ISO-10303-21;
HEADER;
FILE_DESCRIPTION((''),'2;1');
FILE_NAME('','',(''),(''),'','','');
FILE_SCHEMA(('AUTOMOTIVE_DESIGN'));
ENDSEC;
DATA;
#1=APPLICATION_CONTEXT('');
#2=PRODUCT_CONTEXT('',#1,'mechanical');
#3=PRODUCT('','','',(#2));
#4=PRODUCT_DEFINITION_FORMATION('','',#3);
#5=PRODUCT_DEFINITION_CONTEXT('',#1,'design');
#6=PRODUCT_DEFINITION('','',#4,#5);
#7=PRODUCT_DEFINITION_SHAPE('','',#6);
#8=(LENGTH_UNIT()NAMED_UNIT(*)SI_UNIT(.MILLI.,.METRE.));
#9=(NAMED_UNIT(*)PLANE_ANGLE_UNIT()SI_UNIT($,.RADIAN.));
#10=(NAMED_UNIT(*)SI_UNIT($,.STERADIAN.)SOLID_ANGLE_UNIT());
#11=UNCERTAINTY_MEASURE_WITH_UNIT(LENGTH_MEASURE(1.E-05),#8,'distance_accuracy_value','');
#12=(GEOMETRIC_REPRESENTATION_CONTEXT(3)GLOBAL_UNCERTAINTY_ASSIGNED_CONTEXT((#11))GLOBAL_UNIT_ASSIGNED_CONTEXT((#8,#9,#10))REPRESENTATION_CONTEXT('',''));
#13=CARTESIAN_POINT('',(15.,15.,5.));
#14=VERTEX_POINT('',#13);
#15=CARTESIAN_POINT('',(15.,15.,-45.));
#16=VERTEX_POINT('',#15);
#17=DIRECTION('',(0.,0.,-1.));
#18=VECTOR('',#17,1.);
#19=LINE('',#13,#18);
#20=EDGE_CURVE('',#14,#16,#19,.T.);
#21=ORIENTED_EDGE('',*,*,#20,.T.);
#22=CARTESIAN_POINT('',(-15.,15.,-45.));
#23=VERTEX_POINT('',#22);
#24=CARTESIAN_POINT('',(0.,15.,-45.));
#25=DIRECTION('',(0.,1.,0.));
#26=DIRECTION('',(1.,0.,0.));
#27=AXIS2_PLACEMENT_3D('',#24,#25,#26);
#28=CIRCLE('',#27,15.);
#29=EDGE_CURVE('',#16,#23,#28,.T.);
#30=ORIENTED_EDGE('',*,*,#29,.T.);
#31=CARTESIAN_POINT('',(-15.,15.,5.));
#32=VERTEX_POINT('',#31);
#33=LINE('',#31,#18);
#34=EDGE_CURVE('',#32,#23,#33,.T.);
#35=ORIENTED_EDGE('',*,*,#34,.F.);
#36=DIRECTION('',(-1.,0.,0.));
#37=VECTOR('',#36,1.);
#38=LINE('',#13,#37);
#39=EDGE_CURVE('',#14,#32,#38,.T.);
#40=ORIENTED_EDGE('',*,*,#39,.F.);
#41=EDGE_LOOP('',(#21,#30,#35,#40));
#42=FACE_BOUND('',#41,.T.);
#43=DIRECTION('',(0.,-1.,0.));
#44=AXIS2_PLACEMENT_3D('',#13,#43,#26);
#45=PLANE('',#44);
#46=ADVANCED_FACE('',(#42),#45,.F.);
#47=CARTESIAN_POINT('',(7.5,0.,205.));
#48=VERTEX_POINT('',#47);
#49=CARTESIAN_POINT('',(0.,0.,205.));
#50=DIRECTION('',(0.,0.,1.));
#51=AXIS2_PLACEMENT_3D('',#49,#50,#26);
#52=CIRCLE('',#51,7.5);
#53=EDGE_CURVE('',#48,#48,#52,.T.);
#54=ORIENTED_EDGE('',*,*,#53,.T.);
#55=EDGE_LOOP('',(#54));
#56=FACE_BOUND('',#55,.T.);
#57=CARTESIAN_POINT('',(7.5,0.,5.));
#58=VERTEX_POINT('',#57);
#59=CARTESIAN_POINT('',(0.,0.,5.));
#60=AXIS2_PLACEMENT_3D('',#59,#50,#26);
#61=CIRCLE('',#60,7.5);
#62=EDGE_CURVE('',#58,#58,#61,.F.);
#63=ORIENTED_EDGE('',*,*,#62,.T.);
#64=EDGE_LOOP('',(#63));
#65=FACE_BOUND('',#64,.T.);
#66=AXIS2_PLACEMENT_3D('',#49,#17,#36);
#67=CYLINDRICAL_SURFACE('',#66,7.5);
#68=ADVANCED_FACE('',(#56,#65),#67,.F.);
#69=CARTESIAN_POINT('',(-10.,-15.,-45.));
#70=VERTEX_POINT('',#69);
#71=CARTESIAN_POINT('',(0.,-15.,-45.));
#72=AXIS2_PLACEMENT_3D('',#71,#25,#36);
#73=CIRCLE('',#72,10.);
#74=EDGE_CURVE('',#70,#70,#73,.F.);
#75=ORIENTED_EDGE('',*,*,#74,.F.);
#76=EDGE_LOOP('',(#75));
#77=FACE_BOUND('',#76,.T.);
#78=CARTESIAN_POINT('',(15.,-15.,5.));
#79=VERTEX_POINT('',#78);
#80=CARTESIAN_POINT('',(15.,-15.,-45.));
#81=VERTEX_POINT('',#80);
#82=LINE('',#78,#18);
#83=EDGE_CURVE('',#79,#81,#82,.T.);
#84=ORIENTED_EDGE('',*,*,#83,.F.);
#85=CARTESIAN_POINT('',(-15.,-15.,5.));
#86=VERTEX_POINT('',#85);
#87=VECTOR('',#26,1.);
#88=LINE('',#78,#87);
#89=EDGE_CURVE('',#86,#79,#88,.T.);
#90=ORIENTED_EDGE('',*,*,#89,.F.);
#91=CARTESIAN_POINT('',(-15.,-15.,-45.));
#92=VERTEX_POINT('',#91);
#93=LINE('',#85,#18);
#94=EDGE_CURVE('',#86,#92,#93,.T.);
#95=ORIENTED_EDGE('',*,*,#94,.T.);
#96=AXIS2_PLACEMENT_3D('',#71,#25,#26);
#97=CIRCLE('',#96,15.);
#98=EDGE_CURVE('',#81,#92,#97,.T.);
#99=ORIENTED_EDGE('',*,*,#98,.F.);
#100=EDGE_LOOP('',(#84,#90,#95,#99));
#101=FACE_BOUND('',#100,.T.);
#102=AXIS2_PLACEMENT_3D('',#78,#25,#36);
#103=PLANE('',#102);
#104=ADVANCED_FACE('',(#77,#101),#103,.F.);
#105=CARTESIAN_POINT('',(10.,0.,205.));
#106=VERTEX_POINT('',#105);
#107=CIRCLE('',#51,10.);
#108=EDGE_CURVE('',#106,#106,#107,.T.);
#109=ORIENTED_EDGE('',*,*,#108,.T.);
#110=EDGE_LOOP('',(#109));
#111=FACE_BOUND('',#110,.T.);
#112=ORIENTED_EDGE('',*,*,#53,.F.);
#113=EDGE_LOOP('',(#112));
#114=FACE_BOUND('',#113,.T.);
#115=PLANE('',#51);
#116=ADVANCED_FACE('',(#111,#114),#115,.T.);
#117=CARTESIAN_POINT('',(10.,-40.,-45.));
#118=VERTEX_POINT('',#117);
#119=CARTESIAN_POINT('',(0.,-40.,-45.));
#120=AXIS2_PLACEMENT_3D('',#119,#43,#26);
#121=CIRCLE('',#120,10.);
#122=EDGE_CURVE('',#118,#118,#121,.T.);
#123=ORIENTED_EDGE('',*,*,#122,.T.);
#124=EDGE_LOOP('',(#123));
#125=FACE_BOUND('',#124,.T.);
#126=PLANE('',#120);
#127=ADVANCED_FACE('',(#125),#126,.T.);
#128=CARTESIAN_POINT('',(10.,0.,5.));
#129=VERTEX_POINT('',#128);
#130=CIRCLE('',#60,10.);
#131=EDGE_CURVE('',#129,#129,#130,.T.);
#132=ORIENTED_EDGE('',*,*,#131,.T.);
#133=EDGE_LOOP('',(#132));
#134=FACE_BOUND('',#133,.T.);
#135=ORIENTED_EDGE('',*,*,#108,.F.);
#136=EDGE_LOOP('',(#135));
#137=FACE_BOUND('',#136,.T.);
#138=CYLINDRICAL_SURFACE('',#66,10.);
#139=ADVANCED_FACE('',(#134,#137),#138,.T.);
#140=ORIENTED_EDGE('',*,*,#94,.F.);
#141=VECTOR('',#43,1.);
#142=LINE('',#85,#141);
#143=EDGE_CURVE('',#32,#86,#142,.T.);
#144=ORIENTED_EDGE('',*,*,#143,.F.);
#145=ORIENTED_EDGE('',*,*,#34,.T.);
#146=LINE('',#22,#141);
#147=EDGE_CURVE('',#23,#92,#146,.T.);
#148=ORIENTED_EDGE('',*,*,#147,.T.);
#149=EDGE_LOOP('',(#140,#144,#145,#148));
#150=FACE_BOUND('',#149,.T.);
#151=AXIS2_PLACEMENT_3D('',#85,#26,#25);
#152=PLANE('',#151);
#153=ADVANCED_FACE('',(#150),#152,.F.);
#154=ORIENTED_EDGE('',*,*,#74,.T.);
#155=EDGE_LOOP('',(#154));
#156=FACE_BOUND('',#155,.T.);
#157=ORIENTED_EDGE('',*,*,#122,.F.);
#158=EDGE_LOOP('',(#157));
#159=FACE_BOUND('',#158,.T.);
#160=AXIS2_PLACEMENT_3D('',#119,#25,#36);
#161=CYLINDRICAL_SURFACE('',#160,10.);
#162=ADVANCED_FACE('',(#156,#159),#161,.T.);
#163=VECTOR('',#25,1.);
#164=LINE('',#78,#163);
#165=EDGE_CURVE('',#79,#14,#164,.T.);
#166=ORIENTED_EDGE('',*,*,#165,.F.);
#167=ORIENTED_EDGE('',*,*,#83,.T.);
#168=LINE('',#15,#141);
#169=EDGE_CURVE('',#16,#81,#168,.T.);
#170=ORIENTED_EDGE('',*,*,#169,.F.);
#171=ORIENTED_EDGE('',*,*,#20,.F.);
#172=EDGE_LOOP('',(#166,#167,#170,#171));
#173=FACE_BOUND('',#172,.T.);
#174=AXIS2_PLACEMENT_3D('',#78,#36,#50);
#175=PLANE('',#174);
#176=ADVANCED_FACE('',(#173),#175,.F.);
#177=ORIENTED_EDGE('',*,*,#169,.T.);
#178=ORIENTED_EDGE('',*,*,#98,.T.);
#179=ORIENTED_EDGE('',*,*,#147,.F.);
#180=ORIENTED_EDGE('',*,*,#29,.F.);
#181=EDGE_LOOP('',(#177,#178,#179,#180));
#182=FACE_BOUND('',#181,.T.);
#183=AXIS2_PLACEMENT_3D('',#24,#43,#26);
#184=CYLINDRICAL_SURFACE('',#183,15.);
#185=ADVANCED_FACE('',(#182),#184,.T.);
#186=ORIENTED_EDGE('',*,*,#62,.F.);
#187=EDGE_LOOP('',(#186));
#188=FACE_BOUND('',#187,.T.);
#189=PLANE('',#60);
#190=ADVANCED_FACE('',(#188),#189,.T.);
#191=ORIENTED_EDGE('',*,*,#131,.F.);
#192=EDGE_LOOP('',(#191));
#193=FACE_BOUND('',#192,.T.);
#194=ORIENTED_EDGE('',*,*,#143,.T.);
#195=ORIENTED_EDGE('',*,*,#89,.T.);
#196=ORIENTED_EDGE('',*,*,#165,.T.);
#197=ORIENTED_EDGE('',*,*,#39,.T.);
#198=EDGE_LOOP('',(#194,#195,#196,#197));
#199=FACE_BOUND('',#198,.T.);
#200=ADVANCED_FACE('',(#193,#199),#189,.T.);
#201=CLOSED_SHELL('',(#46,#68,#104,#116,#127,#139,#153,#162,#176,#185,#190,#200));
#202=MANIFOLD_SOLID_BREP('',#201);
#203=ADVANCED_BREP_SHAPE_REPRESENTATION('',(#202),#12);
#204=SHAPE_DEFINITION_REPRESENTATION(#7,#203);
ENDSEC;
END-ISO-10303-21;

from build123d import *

# Parameters (mm, degrees)
SKETCH_1_W          = 30
SKETCH_1_H          = 30
EXTRUDE_1_DEPTH     = 5
SKETCH_2_R          = 10
SKETCH_2_R_2        = 7.5
EXTRUDE_2_DEPTH     = 200
SKETCH_3_W          = 30
SKETCH_3_H          = 30
EXTRUDE_3_DEPTH     = 60
SKETCH_4_R          = 10
EXTRUDE_4_DEPTH     = 25
CUT_EXTRUDE_1_DEPTH = 31


with BuildPart() as part:
    # 草图1 → 凸台-拉伸1 (new body)
    with BuildSketch(Plane.XY):
        Rectangle(SKETCH_1_W, SKETCH_1_H)
    extrude(amount=EXTRUDE_1_DEPTH)

    # 草图2 → 凸台-拉伸2 (add)
    with BuildSketch(Plane.XY.offset(5)):
        Circle(SKETCH_2_R)
        Circle(SKETCH_2_R_2, mode=Mode.SUBTRACT)
    extrude(amount=EXTRUDE_2_DEPTH)

    # 草图3 → 凸台-拉伸3 (add)
    with BuildSketch(Plane(origin=(0, 0, 0), x_dir=(-1, 0, 0), z_dir=(0, 0, -1))):
        Rectangle(SKETCH_3_W, SKETCH_3_H)
    extrude(amount=EXTRUDE_3_DEPTH)

    # 草图4 → 凸台-拉伸4 (add)
    with BuildSketch(Plane.XZ.offset(15)):
        with Locations((0, -45)):
            Circle(SKETCH_4_R)
    extrude(amount=EXTRUDE_4_DEPTH)

    # 草图5 → 切除-拉伸1 (cut, through all)
    with BuildSketch(Plane.XZ.offset(15)):
        with BuildLine():
            Line((15, -45), (15, -76.870462398))
            Line((15, -76.870462398), (-15, -76.870462398))
            Line((-15, -76.870462398), (-15, -45))
            ThreePointArc((-15, -45), (0, -60), (15, -45))
        make_face()
    extrude(amount=-CUT_EXTRUDE_1_DEPTH, mode=Mode.SUBTRACT)


solid = part.part
